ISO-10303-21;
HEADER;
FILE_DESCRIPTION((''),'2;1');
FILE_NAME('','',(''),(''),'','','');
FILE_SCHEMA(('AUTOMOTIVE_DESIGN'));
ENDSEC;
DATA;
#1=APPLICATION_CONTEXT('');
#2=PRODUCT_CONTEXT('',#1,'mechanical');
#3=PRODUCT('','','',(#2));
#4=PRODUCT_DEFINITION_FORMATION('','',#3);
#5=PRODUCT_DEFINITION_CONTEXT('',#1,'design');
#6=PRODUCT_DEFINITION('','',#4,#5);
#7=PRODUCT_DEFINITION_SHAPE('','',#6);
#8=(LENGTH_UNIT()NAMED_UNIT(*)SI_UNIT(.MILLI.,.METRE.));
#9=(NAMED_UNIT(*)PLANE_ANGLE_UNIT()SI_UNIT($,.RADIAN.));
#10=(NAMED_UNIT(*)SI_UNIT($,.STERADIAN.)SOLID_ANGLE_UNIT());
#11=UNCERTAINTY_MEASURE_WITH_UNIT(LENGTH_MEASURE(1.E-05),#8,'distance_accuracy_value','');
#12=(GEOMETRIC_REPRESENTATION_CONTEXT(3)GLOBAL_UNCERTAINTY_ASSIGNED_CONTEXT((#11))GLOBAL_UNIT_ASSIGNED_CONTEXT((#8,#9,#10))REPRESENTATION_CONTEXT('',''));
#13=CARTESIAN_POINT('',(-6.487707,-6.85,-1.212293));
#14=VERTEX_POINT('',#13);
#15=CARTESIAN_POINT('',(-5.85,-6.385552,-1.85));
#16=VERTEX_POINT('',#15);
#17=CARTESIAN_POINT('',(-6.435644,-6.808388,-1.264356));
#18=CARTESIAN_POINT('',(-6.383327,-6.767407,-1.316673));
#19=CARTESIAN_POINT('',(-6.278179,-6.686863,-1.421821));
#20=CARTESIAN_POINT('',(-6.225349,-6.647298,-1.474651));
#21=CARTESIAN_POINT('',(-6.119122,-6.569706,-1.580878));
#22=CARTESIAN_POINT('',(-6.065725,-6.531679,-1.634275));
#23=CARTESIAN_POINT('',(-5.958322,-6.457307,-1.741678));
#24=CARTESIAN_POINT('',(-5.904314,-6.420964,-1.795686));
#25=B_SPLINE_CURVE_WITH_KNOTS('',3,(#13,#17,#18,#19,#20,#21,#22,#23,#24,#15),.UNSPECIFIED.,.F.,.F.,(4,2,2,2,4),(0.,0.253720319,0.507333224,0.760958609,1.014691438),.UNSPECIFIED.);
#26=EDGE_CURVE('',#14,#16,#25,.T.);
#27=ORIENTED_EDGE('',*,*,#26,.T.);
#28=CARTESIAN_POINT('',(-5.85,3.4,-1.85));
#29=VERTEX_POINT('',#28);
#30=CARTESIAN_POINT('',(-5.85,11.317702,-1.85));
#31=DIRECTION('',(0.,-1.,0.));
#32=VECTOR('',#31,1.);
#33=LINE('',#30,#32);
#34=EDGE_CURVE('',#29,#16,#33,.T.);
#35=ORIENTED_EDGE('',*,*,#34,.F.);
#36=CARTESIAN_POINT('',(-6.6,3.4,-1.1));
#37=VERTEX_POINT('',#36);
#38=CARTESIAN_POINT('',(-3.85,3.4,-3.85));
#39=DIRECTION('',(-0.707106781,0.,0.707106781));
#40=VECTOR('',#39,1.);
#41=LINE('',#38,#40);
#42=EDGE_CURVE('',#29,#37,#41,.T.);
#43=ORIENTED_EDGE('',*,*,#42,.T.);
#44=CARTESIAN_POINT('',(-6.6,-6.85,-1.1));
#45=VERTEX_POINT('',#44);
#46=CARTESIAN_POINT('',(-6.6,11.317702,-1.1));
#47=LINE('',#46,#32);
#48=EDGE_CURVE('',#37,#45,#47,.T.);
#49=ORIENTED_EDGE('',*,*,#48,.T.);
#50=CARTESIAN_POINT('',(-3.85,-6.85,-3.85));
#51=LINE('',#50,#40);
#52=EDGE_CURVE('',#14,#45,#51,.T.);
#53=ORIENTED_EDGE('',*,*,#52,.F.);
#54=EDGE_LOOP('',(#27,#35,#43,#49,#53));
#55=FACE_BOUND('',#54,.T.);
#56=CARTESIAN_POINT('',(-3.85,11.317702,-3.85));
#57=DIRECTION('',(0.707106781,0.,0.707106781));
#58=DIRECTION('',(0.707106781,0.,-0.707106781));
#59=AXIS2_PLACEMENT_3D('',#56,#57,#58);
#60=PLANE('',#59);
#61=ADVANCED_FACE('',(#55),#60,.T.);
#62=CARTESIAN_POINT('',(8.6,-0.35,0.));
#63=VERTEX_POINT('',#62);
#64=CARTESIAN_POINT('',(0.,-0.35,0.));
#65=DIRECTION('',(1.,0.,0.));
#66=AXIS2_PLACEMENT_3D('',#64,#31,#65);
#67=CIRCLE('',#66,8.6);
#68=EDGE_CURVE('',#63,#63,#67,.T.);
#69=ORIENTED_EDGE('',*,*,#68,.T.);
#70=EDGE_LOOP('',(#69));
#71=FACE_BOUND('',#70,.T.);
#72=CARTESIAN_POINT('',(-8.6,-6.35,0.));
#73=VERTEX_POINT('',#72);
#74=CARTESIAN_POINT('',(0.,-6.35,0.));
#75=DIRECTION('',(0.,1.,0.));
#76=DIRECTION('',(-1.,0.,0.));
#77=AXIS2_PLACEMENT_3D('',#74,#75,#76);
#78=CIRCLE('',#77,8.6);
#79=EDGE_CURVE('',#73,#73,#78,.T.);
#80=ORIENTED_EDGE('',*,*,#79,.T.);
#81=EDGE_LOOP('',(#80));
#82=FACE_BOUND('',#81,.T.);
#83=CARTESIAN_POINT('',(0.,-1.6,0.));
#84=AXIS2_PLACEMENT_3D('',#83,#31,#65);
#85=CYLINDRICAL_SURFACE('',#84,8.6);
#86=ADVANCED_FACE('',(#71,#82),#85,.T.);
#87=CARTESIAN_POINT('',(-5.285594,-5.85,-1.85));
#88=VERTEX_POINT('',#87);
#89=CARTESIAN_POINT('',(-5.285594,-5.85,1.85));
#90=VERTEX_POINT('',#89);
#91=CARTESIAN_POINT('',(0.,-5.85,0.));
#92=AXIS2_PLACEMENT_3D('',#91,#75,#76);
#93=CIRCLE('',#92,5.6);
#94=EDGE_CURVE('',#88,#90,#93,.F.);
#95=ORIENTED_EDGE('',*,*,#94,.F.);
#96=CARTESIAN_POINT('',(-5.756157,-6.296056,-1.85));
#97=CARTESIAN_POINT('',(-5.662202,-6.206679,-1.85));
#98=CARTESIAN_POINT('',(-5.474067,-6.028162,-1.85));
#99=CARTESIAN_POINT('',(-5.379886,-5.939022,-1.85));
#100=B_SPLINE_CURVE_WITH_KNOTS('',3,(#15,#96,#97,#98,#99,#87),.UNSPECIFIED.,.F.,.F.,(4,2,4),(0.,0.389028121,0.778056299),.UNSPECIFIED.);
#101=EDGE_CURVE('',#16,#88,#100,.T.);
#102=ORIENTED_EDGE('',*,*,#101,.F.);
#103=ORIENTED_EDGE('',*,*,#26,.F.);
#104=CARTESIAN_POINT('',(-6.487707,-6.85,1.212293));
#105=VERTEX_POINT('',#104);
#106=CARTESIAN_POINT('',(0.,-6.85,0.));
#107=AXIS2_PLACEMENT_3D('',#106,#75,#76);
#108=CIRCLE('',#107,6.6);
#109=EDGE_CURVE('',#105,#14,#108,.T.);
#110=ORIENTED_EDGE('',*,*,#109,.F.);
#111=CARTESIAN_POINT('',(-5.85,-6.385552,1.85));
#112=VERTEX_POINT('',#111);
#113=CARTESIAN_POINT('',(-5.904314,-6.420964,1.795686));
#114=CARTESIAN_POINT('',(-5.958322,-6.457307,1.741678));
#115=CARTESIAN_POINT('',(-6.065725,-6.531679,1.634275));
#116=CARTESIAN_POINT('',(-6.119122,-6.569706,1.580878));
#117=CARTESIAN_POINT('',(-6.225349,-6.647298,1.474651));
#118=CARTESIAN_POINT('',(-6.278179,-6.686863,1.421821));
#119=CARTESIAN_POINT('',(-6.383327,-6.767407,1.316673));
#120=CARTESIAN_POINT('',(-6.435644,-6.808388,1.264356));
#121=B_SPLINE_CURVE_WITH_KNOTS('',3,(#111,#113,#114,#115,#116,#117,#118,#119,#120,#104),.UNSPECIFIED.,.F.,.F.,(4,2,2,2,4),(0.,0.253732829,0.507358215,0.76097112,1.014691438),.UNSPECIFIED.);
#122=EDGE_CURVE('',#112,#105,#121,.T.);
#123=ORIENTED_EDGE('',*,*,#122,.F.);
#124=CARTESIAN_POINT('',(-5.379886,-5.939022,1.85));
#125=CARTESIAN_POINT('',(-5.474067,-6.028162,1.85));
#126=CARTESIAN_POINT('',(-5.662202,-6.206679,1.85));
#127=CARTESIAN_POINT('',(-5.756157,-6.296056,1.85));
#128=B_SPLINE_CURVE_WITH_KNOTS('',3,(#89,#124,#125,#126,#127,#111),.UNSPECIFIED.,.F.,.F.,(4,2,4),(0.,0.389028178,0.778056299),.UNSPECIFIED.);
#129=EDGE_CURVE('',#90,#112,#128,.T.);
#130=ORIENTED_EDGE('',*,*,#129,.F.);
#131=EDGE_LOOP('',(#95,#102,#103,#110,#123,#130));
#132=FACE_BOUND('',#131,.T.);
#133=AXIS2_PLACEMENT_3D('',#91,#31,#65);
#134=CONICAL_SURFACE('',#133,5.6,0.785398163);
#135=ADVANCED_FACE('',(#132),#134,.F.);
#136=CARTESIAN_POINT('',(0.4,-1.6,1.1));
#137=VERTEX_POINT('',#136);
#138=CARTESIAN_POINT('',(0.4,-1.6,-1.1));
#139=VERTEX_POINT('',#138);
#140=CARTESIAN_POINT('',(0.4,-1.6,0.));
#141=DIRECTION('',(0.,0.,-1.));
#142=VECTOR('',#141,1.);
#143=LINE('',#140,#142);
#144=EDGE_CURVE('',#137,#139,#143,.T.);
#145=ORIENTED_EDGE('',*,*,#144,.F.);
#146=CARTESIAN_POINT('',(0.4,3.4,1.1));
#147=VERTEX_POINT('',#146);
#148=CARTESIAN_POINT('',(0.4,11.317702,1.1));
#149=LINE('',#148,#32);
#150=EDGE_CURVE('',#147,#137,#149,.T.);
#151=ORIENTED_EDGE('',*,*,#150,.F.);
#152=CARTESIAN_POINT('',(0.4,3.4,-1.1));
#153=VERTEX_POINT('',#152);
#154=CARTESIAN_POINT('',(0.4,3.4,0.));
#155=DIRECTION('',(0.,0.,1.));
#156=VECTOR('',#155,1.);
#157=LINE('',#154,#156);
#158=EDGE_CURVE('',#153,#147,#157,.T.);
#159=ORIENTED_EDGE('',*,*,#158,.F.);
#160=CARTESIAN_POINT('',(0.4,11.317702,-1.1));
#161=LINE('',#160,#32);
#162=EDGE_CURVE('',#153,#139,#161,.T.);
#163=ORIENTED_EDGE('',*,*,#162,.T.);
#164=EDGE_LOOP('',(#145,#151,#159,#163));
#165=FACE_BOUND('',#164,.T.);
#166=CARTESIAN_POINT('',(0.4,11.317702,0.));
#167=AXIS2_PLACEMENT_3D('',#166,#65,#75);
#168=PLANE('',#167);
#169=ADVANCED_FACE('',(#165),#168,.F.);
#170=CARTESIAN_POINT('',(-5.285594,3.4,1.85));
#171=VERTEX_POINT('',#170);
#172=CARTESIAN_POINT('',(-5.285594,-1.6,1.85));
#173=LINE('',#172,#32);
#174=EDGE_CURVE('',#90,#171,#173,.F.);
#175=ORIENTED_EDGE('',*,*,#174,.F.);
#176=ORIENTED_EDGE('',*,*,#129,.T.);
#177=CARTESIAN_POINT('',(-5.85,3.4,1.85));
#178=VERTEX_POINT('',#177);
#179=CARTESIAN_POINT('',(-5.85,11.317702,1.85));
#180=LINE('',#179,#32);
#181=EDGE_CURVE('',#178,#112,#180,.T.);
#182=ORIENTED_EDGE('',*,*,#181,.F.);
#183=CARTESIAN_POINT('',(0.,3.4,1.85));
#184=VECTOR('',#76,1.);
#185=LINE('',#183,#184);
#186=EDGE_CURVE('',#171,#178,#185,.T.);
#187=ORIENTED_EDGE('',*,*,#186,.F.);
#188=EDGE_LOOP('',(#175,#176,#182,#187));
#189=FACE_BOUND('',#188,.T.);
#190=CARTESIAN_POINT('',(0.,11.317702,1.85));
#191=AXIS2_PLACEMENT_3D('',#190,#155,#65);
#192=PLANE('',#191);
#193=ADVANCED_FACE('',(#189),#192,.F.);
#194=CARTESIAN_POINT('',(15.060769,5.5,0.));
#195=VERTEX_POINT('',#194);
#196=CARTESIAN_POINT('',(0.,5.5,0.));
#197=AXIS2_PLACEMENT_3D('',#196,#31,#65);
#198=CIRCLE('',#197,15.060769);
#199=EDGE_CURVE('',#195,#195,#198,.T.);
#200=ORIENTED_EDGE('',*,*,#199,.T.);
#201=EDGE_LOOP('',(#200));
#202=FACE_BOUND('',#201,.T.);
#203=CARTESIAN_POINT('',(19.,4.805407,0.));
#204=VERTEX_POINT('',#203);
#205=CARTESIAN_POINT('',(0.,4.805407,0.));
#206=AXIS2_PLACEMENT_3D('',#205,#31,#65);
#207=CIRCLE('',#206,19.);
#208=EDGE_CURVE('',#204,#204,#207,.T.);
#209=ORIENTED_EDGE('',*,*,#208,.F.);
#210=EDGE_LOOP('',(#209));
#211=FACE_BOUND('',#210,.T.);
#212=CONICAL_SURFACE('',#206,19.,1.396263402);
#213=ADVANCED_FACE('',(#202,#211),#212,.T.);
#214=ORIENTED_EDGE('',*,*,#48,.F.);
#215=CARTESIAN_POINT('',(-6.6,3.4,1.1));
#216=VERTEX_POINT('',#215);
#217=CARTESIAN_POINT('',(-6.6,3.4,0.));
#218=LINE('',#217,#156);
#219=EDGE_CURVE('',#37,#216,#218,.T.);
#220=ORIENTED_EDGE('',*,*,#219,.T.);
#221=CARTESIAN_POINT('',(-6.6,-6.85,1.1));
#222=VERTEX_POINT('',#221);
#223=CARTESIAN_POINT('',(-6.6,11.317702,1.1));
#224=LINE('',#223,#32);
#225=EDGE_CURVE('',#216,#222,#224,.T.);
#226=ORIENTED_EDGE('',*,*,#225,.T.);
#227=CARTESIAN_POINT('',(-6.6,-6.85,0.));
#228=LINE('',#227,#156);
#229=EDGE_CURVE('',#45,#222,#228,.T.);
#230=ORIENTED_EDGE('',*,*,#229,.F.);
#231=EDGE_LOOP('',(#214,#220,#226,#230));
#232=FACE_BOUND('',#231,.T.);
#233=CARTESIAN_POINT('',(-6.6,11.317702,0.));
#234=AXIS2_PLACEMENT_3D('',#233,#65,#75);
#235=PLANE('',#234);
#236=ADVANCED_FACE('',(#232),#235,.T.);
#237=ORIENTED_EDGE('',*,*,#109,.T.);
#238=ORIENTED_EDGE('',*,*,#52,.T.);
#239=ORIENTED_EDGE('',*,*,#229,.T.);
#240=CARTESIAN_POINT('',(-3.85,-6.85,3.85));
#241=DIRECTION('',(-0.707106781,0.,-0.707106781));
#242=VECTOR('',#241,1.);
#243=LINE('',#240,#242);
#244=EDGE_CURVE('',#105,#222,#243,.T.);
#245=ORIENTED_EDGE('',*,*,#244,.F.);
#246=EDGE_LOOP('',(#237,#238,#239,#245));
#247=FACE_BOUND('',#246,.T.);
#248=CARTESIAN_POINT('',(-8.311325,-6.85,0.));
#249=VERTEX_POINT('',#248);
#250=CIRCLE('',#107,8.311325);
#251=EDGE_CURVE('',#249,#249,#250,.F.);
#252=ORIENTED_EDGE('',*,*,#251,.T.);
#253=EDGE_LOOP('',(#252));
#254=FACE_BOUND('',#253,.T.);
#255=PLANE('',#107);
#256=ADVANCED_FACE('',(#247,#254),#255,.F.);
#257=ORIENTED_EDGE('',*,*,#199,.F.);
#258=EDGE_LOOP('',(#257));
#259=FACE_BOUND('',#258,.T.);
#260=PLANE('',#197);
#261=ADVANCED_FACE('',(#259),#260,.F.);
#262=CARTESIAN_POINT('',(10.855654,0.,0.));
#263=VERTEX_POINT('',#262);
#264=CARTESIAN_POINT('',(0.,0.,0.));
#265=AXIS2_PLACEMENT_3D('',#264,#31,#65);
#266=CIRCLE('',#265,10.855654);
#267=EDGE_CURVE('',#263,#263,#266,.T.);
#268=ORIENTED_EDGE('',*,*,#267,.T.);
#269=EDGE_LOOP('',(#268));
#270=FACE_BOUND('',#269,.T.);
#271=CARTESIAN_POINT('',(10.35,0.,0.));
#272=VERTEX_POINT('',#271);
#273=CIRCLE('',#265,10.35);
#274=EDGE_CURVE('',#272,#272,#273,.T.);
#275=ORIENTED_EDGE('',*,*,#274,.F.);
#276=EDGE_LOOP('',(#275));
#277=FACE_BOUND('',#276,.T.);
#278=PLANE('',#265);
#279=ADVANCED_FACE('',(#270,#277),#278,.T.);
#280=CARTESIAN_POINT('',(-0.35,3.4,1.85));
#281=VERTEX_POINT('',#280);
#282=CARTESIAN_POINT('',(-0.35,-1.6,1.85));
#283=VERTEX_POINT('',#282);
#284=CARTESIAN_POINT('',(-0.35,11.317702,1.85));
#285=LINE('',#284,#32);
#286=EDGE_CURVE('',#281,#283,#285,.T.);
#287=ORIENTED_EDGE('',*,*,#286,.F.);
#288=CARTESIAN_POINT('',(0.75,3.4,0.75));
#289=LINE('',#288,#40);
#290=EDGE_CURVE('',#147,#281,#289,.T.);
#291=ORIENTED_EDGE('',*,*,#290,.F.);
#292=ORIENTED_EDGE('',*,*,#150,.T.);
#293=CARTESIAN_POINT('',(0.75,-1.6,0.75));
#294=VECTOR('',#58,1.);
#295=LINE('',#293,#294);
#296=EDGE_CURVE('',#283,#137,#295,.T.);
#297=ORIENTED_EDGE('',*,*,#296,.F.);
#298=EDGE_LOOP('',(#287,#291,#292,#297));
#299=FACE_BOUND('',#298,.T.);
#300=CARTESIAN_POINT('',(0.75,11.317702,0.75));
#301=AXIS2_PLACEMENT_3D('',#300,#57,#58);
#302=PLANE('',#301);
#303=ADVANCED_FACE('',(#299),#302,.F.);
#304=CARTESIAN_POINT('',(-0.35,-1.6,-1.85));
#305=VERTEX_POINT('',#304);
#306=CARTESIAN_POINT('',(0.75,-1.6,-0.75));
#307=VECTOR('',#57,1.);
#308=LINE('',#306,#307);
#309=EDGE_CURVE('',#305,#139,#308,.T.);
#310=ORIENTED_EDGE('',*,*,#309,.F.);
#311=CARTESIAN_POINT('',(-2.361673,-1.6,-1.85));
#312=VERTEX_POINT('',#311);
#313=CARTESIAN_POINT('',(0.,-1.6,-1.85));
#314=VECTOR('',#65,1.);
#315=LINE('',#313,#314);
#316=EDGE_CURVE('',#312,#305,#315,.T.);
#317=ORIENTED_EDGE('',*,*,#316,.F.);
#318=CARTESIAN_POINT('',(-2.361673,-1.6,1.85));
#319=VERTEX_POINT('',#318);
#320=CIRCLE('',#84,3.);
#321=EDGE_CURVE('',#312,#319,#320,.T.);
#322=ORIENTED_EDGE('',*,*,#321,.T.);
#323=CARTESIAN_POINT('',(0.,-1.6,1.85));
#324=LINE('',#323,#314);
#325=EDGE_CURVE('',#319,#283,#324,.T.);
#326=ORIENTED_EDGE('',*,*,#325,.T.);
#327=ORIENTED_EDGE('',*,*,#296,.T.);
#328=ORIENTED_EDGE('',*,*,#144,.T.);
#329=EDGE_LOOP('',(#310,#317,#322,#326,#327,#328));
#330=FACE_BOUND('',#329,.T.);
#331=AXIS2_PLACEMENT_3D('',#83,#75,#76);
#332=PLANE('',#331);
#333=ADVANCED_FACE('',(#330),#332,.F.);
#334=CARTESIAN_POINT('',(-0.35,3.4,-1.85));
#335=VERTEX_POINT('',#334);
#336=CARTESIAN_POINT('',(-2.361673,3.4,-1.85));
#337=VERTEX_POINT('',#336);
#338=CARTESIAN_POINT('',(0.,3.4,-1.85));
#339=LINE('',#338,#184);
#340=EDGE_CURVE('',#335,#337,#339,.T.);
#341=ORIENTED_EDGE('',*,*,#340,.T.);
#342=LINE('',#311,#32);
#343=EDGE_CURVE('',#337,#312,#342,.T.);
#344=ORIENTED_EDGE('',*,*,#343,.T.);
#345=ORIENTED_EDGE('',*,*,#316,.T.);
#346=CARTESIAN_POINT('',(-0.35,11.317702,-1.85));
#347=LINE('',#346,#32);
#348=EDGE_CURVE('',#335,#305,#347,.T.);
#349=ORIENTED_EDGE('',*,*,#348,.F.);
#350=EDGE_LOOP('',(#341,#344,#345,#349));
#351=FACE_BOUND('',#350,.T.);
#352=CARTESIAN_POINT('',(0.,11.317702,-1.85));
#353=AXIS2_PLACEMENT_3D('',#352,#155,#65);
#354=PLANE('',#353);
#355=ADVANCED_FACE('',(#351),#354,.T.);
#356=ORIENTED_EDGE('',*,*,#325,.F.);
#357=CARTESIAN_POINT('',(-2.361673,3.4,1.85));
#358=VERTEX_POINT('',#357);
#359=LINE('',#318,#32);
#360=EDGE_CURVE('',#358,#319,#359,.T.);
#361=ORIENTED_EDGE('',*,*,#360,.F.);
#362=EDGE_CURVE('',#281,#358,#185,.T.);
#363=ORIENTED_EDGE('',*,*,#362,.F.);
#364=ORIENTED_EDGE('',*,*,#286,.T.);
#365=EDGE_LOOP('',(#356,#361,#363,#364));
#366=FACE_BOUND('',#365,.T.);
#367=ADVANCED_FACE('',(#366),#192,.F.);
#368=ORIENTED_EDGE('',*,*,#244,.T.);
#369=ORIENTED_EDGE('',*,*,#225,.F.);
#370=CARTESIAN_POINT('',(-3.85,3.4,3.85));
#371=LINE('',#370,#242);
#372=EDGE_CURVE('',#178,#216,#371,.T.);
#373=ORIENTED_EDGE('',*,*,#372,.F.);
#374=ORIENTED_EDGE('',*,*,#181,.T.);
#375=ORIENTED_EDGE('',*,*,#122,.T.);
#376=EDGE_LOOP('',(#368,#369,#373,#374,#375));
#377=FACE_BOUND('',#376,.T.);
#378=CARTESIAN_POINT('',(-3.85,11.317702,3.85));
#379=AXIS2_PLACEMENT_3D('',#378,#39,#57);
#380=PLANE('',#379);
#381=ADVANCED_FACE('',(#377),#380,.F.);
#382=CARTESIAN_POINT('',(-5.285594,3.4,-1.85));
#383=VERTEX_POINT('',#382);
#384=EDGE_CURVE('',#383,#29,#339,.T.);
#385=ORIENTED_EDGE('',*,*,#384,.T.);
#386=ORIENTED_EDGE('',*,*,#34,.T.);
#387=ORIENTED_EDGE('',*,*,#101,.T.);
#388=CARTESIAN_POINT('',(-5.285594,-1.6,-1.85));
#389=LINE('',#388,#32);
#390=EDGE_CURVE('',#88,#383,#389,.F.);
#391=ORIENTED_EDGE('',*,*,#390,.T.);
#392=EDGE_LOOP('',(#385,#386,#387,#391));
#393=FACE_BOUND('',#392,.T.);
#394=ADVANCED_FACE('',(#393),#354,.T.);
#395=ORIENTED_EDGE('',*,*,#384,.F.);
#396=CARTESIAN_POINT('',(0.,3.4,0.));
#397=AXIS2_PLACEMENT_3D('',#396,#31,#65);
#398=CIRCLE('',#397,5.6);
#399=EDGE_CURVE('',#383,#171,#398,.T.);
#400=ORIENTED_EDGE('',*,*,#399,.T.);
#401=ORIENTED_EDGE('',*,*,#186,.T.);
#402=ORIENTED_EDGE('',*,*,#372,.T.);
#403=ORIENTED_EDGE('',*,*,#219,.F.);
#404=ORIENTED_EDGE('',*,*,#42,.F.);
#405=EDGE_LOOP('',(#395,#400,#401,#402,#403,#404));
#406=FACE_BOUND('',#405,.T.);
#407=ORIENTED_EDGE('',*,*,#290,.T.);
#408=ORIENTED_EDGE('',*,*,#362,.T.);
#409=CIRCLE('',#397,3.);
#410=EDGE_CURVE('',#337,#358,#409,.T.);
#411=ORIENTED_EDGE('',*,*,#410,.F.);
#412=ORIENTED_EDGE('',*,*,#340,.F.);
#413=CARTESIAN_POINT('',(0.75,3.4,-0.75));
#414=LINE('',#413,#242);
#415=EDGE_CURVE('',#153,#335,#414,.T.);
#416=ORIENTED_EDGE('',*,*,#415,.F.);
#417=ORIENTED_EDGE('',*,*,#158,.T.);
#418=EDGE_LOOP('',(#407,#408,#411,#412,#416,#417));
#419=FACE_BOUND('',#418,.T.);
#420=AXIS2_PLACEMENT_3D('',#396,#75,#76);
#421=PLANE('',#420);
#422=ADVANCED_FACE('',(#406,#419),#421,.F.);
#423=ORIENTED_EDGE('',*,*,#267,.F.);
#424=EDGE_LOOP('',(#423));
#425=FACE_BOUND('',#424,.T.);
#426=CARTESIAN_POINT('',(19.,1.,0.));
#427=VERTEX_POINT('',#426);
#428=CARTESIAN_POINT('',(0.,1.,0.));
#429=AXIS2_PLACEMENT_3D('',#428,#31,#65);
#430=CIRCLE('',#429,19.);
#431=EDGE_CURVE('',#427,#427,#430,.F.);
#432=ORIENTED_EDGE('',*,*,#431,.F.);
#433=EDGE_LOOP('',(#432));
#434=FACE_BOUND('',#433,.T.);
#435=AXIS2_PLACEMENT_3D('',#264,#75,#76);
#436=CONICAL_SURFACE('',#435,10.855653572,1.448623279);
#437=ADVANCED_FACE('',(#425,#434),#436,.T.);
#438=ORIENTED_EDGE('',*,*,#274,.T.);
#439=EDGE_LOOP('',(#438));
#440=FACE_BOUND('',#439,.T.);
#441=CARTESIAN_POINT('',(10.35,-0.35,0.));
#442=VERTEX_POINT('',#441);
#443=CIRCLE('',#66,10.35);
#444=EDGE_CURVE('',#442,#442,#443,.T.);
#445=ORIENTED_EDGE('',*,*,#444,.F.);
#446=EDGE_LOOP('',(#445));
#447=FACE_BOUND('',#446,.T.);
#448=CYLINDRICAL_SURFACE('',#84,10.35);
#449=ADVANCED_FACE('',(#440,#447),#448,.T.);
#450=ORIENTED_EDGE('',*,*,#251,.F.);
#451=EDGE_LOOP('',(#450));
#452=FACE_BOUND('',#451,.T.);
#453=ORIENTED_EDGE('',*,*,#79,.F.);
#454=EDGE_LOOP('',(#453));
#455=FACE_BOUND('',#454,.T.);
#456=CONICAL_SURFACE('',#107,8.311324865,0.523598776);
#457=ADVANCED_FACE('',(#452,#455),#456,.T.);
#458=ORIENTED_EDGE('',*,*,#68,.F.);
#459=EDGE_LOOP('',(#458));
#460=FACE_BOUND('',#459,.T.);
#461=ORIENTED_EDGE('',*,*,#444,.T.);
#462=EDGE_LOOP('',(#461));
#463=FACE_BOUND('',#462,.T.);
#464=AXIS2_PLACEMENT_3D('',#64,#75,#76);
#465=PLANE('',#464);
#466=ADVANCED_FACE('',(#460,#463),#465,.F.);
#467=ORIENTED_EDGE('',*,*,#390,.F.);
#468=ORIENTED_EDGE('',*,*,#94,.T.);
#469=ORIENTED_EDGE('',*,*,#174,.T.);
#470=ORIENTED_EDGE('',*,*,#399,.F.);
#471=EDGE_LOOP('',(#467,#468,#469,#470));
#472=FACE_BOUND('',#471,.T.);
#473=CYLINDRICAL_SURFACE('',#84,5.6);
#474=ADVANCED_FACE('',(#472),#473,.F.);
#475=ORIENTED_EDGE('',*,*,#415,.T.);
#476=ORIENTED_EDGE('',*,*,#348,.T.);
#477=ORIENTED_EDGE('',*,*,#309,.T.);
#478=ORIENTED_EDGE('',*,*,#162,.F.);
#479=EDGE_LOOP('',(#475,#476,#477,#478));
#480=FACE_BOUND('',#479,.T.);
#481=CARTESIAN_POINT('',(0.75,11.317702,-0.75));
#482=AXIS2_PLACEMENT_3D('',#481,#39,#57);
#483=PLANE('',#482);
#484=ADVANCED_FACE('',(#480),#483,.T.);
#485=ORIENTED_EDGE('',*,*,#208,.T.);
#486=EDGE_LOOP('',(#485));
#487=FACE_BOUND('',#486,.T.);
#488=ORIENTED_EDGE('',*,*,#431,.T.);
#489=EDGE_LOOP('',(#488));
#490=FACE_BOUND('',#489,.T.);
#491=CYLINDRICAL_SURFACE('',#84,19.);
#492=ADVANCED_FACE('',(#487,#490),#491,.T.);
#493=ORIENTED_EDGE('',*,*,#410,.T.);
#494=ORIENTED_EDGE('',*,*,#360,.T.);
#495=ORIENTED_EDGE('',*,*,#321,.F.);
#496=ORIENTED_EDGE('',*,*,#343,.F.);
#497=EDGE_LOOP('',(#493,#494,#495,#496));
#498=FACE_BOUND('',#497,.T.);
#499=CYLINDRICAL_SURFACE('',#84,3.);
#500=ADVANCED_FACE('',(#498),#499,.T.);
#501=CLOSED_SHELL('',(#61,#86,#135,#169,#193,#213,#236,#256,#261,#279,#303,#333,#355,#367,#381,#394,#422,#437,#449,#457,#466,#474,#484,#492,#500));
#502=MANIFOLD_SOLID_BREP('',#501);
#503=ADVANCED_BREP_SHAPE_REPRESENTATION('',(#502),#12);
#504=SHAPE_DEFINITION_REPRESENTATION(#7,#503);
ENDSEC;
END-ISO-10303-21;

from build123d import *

# Parameters (mm, degrees)
CHAMFER2_SIZE           = 1
CHAMFER2_SIZE2          = 8.144346428
CUT_EXTRUDE1_DEPTH      = 28.792265111
CUT_EXTRUDE1_DEPTH_BACK = 5
CHAMFER1_SIZE           = 1
CHAMFER3_SIZE           = 0.5
CHAMFER3_SIZE2          = 0.288675135


with BuildPart() as part:
    # Sketch1 → Revolve1 (revolve)
    with BuildSketch(Plane.XY, mode=Mode.PRIVATE) as revolve1_sk:
        Polygon((-15.060768988, 5.5), (-19, 4.805407289), (-19, 0), (-10.35, 0), (-10.35, -0.35), (-8.6, -0.35), (-8.6, -6.85), (-5.6, -6.85), (-5.6, 3.4), (-3, 3.4), (-3, -1.6), (0, -1.6), (0, 5.5), align=None)
    revolve(revolve1_sk.sketch.rotate(Axis((0, -1.6, 0), (0, 1, 0)), 180), axis=Axis((0, -1.6, 0), (0, 1, 0)))

    # Chamfer2
    chamfer2_edges = [part.edges().sort_by_distance(p)[0] for p in [
        (-19, 0, 0),
    ]]
    chamfer2_side = [part.faces().sort_by_distance(p)[0] for p in [
        (-19, 2.402703645, 0),
    ]]
    chamfer(chamfer2_edges, length=CHAMFER2_SIZE, length2=CHAMFER2_SIZE2, reference=chamfer2_side[0])

    # Sketch2 → Cut-Extrude1 (cut, two sides: drawn at the far end of the back side and taken through both)
    with BuildSketch(Plane.XZ.offset(1.6).offset(-CUT_EXTRUDE1_DEPTH_BACK)):
        Polygon((-5.85, 1.85), (-6.6, 1.1), (-6.6, -1.1), (-5.85, -1.85), (-0.35, -1.85), (0.4, -1.1), (0.4, 1.1), (-0.35, 1.85), align=None)
    extrude(amount=CUT_EXTRUDE1_DEPTH + CUT_EXTRUDE1_DEPTH_BACK, mode=Mode.SUBTRACT)

    # Chamfer1
    chamfer1_edges = [part.edges().sort_by_distance(p)[0] for p in [
        (5.6, -6.85, 0),
    ]]
    chamfer(chamfer1_edges, length=CHAMFER1_SIZE)

    # Chamfer3
    chamfer3_edges = [part.edges().sort_by_distance(p)[0] for p in [
        (-8.6, -6.85, 0),
    ]]
    chamfer3_side = [part.faces().sort_by_distance(p)[0] for p in [
        (-8.6, -3.6, 0),
    ]]
    chamfer(chamfer3_edges, length=CHAMFER3_SIZE, length2=CHAMFER3_SIZE2, reference=chamfer3_side[0])


solid = part.part
